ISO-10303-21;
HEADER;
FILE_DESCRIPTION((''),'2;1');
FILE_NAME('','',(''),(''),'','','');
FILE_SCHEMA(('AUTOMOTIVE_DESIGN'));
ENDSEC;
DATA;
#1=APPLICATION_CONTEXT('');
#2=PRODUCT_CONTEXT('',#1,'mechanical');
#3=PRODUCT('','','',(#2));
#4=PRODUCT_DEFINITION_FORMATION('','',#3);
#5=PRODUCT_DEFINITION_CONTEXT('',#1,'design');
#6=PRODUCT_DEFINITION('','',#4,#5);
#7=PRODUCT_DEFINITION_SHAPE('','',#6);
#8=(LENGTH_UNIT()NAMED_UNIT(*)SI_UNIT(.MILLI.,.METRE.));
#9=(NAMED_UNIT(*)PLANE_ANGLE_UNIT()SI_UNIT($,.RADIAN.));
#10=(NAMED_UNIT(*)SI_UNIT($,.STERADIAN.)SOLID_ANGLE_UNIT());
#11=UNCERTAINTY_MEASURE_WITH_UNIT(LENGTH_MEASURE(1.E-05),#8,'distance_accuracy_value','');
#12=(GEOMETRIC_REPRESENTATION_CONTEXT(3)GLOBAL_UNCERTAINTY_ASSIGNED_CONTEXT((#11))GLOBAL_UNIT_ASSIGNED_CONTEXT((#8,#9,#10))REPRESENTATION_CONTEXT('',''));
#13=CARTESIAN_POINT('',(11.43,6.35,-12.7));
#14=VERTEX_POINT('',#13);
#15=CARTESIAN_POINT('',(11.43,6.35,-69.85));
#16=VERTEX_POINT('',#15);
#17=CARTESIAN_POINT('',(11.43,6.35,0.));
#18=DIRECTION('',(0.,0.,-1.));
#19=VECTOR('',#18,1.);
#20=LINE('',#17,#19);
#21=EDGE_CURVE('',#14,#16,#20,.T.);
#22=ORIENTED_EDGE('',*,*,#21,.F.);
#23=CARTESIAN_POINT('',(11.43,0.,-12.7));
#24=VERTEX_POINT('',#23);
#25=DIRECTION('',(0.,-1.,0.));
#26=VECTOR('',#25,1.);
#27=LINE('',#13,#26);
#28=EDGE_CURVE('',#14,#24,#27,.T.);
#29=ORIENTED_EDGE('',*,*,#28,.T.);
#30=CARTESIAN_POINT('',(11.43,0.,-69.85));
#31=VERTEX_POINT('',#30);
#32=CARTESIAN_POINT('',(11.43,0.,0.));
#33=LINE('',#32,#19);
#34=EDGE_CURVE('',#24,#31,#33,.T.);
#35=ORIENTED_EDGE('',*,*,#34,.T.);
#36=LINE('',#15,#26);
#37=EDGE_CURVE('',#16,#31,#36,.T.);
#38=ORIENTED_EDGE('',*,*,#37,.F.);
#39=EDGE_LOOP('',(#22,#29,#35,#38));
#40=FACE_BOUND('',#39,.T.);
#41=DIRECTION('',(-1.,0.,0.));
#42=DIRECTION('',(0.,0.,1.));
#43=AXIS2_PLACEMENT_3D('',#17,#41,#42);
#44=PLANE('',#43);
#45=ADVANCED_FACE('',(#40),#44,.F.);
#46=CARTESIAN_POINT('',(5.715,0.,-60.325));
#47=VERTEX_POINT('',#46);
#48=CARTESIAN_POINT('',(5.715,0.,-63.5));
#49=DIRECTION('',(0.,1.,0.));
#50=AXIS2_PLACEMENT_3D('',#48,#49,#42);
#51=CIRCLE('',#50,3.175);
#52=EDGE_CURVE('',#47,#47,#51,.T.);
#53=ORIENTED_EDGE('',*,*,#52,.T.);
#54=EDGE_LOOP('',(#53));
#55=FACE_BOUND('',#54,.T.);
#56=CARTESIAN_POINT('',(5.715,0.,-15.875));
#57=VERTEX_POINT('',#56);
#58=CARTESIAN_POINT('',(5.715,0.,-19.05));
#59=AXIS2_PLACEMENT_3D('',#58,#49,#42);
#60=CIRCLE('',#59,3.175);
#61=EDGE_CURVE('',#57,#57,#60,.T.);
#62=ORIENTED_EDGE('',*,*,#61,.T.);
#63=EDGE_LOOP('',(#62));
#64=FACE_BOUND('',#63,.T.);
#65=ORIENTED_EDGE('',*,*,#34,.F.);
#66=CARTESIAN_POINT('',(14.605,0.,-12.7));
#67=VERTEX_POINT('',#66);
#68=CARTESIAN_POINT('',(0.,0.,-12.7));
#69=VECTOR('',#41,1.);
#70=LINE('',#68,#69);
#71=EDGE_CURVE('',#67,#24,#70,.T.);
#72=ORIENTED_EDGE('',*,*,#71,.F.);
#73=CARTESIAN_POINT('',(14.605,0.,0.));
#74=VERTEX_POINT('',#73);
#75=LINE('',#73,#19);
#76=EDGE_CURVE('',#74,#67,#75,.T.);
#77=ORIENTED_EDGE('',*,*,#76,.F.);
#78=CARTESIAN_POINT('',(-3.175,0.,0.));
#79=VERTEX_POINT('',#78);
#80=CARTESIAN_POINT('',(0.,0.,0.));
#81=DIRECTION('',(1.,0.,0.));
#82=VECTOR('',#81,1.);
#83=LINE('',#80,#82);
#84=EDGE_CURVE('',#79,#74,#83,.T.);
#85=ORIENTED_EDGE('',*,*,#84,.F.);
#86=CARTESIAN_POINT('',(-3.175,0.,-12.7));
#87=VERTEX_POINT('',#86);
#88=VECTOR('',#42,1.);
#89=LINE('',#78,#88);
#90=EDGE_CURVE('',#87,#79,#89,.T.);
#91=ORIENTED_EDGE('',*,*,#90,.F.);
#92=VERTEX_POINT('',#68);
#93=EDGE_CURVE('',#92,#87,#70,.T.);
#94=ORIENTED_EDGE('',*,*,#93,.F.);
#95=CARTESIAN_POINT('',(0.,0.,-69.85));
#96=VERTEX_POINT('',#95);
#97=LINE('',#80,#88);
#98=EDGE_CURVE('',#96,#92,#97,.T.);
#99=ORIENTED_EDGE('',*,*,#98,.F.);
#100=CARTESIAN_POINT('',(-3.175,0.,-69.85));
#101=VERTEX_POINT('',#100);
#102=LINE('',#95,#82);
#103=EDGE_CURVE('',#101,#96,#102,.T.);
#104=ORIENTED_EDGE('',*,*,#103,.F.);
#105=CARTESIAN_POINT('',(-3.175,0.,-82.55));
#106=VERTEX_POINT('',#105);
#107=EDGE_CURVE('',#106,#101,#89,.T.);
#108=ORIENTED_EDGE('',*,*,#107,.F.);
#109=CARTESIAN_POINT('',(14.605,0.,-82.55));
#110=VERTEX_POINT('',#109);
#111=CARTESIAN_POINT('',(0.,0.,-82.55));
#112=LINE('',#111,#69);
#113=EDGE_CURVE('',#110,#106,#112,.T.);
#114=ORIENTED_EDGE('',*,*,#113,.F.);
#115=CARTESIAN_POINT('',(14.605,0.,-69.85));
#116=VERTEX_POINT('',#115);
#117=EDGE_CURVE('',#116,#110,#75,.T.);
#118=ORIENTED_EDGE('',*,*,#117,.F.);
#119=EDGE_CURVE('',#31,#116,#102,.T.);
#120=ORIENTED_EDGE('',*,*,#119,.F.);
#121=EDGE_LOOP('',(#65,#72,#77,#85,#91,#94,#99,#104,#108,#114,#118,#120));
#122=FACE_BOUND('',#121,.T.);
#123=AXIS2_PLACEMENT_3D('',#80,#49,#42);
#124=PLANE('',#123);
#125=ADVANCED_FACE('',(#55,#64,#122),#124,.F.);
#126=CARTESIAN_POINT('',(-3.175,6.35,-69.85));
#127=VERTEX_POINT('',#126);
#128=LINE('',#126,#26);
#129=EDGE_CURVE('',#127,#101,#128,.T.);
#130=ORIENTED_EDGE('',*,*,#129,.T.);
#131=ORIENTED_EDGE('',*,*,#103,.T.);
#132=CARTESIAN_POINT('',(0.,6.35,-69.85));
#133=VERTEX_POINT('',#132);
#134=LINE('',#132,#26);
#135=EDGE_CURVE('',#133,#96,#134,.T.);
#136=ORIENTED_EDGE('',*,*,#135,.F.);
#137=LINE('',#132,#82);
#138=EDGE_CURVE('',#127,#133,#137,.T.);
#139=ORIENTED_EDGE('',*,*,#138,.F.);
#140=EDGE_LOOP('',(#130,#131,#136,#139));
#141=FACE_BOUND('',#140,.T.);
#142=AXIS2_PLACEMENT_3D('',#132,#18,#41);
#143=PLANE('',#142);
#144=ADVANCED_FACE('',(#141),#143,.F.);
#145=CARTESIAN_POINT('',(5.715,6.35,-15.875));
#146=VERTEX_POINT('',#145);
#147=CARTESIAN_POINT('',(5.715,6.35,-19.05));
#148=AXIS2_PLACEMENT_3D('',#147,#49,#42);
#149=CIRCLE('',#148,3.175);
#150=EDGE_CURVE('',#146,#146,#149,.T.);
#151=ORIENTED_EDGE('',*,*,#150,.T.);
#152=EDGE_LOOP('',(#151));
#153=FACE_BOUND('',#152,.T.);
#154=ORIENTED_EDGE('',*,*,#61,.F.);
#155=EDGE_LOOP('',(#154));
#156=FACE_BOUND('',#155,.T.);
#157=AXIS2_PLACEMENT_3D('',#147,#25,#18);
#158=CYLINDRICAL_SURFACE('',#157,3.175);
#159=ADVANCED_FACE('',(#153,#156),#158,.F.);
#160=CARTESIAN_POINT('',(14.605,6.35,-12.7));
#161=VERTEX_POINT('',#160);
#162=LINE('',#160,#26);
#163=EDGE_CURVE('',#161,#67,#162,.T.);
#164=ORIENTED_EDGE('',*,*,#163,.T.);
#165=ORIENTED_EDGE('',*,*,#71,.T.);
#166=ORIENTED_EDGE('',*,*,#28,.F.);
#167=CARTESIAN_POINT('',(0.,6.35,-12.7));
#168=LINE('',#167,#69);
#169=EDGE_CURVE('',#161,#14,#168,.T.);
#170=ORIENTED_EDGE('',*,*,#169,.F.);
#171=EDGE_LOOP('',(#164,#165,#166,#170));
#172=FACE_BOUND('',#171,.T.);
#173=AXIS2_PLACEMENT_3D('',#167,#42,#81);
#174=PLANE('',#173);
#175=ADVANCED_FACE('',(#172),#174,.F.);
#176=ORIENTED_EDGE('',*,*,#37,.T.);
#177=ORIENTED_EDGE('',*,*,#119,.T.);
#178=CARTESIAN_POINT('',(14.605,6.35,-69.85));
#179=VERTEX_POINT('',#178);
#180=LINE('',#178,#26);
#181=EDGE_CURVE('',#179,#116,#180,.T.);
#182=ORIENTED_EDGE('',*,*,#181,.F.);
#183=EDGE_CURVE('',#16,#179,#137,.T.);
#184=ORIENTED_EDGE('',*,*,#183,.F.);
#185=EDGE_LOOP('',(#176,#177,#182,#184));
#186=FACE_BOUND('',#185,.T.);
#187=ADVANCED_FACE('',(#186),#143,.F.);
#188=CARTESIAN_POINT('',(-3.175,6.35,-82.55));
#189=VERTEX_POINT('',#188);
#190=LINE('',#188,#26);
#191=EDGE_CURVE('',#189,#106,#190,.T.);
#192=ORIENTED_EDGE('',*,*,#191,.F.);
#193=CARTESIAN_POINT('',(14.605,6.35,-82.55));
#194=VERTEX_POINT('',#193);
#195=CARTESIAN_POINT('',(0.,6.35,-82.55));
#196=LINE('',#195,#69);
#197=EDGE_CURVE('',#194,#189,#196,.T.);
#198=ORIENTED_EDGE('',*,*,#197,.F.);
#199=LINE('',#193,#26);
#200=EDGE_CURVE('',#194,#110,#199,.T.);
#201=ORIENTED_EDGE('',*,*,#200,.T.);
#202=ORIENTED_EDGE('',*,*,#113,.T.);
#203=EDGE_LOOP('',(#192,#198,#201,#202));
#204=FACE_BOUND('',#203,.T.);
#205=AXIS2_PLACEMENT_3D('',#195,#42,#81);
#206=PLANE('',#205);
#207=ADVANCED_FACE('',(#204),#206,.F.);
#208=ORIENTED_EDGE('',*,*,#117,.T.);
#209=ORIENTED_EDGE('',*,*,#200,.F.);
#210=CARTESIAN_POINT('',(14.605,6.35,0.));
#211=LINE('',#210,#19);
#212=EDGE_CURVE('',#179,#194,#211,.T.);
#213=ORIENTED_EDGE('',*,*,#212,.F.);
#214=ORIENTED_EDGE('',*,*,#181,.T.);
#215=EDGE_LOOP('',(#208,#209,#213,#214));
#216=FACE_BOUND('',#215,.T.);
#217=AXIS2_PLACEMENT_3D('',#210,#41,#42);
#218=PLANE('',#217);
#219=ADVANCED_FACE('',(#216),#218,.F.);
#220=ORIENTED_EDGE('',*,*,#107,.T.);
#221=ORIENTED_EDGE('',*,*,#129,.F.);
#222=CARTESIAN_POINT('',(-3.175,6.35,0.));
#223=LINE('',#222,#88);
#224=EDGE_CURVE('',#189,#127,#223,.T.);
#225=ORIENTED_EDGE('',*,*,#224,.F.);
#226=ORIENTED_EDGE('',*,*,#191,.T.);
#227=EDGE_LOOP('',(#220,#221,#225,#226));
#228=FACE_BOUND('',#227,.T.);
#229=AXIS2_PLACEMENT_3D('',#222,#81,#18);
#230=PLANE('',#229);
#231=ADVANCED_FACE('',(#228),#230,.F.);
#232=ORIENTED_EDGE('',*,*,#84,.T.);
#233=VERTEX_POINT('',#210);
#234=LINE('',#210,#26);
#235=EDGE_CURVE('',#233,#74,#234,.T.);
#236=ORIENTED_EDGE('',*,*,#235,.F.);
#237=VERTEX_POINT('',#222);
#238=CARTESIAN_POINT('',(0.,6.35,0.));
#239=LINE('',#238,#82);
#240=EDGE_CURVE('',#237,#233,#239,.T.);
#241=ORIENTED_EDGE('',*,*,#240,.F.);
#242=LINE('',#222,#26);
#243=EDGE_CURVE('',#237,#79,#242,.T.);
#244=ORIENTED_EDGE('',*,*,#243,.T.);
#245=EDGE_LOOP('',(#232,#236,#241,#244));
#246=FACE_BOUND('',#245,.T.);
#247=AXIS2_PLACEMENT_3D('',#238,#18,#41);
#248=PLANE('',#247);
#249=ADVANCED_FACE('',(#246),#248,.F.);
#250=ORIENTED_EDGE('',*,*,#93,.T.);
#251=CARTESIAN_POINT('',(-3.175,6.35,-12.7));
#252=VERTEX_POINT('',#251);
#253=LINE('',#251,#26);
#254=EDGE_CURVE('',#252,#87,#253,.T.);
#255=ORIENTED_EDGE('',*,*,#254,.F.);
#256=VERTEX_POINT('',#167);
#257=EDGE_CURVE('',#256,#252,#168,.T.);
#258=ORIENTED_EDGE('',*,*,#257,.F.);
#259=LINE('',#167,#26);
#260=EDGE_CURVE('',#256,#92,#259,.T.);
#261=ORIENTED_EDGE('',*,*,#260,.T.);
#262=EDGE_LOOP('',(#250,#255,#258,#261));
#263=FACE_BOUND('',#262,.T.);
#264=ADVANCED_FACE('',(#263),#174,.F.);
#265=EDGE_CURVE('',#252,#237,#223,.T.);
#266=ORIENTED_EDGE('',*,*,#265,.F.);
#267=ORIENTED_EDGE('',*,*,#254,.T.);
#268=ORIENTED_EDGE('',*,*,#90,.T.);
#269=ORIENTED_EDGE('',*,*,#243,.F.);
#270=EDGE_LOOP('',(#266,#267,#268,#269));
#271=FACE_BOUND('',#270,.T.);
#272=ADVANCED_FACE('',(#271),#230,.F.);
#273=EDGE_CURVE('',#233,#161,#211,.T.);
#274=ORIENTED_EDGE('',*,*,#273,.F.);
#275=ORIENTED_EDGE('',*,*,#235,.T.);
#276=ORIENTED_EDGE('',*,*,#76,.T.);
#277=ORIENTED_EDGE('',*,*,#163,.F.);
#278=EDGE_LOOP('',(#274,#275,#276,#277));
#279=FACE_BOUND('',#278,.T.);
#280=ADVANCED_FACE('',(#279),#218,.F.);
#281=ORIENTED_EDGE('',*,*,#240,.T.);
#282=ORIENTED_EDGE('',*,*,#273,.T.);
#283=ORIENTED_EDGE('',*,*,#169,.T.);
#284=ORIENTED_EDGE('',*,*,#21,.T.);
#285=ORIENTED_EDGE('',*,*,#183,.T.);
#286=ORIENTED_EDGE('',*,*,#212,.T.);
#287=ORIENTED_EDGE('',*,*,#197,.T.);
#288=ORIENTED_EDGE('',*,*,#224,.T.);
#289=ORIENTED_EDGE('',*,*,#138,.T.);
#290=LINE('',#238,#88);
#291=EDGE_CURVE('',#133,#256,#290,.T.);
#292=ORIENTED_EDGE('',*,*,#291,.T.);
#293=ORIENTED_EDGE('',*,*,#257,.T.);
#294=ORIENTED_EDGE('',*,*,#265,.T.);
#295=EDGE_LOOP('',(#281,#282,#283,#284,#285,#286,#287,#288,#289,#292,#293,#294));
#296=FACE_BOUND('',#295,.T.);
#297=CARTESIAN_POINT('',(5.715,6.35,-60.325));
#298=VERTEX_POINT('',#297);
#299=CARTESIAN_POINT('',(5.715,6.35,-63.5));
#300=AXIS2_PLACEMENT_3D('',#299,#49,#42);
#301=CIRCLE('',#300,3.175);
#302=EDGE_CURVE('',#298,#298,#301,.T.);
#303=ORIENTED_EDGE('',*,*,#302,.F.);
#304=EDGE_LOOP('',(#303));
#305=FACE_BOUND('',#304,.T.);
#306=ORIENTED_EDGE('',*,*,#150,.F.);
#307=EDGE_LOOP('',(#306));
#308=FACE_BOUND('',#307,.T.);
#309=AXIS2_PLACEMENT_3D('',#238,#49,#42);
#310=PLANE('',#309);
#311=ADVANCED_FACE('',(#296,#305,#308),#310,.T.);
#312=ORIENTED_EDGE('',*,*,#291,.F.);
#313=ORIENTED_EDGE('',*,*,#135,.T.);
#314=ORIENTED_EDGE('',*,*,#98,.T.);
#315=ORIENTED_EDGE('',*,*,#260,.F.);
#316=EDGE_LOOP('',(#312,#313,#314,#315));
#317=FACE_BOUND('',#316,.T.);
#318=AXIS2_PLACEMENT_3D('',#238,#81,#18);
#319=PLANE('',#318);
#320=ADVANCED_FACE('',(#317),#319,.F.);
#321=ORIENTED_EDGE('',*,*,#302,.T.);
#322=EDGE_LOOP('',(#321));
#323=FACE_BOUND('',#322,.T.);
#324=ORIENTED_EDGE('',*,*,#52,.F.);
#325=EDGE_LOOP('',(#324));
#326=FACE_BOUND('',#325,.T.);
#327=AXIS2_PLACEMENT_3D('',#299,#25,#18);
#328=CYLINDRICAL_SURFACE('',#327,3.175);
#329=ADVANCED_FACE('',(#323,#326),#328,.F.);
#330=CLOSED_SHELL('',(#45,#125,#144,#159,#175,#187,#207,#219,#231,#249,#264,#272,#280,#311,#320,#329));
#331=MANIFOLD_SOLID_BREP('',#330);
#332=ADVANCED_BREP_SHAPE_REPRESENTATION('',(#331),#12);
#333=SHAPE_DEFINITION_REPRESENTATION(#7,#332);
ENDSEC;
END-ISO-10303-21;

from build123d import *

# Parameters (mm, degrees)
SKETCH1_R           = 3.175
BOSS_EXTRUDE2_DEPTH = 6.35


with BuildPart() as part:
    # Sketch1 → Boss-Extrude2 (new body)
    with BuildSketch(Plane(origin=(0, 0, 0), x_dir=(1, 0, 0), z_dir=(0, 1, 0))):
        Polygon((-3.175, 0), (14.605, 0), (14.605, 12.7), (11.43, 12.7), (11.43, 69.85), (14.605, 69.85), (14.605, 82.55), (-3.175, 82.55), (-3.175, 69.85), (0, 69.85), (0, 12.7), (-3.175, 12.7), align=None)
        with Locations((5.715, 63.5)):
            Circle(SKETCH1_R, mode=Mode.SUBTRACT)
        with Locations((5.715, 19.05)):
            Circle(SKETCH1_R, mode=Mode.SUBTRACT)
    extrude(amount=BOSS_EXTRUDE2_DEPTH)


solid = part.part
